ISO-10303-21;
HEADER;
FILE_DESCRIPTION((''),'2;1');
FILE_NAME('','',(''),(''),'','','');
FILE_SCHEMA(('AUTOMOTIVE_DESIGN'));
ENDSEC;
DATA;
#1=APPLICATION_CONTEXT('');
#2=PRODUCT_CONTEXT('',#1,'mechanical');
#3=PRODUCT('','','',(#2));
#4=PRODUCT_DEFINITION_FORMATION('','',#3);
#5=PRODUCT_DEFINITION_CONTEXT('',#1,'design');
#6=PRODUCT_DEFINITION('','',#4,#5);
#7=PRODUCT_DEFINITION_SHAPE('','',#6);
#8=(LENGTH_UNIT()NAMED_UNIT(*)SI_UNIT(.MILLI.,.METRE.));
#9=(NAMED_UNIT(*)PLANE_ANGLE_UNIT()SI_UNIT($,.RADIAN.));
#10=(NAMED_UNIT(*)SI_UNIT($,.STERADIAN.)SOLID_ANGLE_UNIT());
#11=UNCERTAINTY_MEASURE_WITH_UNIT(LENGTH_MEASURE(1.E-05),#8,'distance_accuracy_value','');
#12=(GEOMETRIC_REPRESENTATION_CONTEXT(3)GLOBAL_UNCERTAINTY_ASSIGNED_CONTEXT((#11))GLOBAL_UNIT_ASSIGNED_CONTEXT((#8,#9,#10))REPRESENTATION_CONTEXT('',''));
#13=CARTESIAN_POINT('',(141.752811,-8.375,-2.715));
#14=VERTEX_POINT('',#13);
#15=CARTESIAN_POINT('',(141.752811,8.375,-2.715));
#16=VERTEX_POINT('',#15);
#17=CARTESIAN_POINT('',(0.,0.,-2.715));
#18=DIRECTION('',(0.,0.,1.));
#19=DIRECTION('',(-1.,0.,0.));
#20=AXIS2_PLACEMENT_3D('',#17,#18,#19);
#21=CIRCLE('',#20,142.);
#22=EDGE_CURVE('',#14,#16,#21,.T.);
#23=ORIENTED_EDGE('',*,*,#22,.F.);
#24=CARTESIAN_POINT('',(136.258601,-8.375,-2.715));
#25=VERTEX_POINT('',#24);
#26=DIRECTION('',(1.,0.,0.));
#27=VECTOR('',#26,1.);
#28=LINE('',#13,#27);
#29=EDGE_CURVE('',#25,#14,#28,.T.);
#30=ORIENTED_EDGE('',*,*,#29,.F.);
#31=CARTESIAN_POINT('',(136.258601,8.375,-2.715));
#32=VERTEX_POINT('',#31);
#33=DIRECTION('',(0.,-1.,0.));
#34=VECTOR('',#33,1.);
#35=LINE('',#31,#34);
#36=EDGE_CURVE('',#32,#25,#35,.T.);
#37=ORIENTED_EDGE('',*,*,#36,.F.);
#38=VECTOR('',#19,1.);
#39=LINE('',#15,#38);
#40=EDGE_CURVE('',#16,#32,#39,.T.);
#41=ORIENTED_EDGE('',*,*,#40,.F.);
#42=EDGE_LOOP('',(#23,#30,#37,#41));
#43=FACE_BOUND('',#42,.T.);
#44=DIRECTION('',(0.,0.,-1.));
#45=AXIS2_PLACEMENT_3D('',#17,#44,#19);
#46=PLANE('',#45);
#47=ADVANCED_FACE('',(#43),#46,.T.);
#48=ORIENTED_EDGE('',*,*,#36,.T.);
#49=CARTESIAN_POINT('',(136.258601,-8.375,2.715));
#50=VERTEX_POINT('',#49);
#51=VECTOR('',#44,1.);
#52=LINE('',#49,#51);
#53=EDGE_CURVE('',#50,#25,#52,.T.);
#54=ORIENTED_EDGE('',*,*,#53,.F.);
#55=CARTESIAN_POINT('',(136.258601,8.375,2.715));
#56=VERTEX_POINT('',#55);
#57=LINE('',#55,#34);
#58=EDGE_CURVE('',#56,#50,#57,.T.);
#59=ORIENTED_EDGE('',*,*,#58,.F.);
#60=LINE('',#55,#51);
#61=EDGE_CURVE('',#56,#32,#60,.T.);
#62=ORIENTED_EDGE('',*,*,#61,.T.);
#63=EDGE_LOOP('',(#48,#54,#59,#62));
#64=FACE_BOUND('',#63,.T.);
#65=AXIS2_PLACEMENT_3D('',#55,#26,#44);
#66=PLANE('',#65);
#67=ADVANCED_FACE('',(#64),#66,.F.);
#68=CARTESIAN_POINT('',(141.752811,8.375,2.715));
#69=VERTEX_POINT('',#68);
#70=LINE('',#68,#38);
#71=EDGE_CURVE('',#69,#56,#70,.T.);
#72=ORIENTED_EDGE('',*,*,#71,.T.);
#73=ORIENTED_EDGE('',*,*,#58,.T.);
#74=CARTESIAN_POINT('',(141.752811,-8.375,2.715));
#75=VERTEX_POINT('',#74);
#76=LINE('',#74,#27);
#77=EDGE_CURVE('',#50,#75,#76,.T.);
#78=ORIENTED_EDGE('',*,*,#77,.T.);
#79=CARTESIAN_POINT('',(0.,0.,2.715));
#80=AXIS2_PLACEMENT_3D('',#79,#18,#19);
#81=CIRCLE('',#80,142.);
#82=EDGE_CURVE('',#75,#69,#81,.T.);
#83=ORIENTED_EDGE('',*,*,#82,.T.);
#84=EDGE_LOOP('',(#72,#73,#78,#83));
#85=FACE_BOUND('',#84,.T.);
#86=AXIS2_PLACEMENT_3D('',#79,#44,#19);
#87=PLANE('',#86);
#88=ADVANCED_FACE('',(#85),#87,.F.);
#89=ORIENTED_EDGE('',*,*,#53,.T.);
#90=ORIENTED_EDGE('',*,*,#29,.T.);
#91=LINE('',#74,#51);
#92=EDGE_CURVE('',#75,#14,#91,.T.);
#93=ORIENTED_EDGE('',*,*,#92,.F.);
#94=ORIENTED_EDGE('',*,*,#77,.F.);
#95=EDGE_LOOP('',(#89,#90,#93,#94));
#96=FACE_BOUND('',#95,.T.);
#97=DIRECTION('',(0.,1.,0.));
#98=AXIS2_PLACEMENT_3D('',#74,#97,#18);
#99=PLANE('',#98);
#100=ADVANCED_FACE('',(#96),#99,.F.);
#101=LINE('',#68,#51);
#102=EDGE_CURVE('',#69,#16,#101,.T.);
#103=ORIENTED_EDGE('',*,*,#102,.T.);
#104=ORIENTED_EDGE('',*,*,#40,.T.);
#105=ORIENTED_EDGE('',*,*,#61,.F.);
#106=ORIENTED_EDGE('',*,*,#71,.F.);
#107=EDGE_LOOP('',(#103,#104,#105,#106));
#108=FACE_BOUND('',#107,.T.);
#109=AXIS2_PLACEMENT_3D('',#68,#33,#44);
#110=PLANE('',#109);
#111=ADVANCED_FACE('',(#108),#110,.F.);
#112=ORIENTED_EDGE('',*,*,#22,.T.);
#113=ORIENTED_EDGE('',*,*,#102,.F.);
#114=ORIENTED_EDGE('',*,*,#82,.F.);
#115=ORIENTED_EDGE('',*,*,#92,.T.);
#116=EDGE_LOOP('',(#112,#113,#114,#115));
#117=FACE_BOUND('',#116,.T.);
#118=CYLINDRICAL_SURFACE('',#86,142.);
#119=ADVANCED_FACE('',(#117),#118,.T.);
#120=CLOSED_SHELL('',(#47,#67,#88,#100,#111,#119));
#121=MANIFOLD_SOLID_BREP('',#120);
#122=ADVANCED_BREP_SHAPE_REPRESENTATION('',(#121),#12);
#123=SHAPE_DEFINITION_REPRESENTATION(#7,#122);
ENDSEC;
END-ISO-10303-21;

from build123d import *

# Parameters (mm, degrees)
EXTRUDE1_DEPTH = 2.715


with BuildPart() as part:
    # Sketch1 → Extrude1 (new body, symmetric)
    with BuildSketch(Plane.XY):
        with BuildLine():
            Line((141.752810819, 8.375), (136.25860116, 8.375))
            Line((136.25860116, 8.375), (136.25860116, -8.375))
            Line((136.25860116, -8.375), (141.752810819, -8.375))
            ThreePointArc((141.752810819, -8.375), (142, 0), (141.752810819, 8.375))
        make_face()
    extrude(amount=EXTRUDE1_DEPTH, both=True)


solid = part.part
